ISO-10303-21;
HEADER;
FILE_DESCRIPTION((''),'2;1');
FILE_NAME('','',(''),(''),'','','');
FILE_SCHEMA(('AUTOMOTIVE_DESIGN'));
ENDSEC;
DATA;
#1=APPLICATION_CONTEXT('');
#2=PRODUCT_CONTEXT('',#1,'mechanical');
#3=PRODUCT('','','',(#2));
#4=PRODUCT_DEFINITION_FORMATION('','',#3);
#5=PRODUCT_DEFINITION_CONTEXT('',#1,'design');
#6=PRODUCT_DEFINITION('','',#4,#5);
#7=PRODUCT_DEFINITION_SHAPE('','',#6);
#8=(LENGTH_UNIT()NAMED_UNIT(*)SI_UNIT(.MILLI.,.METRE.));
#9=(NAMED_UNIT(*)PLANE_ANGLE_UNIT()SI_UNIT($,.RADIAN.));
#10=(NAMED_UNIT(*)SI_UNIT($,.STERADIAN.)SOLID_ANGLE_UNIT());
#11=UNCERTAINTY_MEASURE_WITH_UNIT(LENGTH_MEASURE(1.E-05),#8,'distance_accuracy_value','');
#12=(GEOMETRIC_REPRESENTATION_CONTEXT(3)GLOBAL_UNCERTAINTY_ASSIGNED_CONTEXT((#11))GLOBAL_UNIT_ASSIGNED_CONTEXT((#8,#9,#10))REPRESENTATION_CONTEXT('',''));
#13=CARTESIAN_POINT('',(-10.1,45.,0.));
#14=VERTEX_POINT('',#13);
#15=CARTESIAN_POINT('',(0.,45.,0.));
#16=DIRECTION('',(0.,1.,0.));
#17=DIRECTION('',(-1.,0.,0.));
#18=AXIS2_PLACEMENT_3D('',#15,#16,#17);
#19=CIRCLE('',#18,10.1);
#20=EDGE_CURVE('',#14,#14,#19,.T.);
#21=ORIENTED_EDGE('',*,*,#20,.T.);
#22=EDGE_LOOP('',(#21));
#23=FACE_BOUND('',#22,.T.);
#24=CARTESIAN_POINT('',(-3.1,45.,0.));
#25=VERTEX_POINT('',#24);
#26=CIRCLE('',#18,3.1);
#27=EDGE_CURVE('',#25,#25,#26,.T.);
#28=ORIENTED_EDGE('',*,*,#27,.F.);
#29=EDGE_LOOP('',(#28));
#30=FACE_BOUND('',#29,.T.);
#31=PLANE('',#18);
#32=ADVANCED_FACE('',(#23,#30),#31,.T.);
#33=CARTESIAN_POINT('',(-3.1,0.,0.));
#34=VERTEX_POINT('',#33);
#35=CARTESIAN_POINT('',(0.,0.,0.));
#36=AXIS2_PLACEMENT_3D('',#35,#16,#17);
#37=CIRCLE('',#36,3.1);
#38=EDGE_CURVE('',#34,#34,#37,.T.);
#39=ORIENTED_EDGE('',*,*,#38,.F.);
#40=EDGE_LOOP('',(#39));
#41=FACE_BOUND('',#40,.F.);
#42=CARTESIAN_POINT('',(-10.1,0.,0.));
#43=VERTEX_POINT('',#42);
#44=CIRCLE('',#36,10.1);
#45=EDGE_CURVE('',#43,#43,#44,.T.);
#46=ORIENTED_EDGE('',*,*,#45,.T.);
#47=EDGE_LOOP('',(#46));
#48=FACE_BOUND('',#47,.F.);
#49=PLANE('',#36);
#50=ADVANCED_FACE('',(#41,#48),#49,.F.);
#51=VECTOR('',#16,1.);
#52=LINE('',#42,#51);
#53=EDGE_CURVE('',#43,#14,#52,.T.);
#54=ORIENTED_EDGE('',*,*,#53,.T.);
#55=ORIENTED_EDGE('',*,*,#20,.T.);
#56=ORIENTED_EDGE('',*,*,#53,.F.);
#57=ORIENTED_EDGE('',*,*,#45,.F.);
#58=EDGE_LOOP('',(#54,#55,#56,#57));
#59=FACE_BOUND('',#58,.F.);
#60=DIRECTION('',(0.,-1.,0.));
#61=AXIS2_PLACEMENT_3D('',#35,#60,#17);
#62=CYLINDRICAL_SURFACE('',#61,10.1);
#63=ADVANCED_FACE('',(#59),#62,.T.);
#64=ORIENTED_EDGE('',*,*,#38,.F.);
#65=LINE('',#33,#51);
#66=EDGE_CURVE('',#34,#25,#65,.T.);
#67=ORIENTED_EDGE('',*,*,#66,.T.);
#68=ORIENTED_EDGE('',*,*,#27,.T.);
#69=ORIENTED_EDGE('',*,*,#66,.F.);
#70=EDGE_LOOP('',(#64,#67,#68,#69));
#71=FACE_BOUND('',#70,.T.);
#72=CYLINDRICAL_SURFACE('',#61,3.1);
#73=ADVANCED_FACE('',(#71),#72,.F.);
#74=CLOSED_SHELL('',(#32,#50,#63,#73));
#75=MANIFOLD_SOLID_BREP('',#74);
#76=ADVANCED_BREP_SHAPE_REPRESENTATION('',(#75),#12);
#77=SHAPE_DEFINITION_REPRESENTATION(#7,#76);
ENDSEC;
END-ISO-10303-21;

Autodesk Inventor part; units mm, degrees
ref_plane "YZ Plane" through (0, 0, 0) normal (1, 0, 0) x (0, 1, 0)
ref_plane "XZ Plane" through (0, 0, 0) normal (0, 1, 0) x (-1, 0, 0)
ref_plane "XY Plane" through (0, 0, 0) normal (0, 0, 1) x (1, 0, 0)
sketch "Sketch1" plane through (0, 0, 0) normal (0, 1, 0) x (-1, 0, 0)
  circle A0 centre (0, 0) radius 3.1
  circle A1 centre (0, 0) radius 10.1
  dimension "d0" = 6.2
  dimension "d1" = 7
extrude "Extrusion1" add sketch "Sketch1" along normal blind 45
properties part number "spacer_temp"
